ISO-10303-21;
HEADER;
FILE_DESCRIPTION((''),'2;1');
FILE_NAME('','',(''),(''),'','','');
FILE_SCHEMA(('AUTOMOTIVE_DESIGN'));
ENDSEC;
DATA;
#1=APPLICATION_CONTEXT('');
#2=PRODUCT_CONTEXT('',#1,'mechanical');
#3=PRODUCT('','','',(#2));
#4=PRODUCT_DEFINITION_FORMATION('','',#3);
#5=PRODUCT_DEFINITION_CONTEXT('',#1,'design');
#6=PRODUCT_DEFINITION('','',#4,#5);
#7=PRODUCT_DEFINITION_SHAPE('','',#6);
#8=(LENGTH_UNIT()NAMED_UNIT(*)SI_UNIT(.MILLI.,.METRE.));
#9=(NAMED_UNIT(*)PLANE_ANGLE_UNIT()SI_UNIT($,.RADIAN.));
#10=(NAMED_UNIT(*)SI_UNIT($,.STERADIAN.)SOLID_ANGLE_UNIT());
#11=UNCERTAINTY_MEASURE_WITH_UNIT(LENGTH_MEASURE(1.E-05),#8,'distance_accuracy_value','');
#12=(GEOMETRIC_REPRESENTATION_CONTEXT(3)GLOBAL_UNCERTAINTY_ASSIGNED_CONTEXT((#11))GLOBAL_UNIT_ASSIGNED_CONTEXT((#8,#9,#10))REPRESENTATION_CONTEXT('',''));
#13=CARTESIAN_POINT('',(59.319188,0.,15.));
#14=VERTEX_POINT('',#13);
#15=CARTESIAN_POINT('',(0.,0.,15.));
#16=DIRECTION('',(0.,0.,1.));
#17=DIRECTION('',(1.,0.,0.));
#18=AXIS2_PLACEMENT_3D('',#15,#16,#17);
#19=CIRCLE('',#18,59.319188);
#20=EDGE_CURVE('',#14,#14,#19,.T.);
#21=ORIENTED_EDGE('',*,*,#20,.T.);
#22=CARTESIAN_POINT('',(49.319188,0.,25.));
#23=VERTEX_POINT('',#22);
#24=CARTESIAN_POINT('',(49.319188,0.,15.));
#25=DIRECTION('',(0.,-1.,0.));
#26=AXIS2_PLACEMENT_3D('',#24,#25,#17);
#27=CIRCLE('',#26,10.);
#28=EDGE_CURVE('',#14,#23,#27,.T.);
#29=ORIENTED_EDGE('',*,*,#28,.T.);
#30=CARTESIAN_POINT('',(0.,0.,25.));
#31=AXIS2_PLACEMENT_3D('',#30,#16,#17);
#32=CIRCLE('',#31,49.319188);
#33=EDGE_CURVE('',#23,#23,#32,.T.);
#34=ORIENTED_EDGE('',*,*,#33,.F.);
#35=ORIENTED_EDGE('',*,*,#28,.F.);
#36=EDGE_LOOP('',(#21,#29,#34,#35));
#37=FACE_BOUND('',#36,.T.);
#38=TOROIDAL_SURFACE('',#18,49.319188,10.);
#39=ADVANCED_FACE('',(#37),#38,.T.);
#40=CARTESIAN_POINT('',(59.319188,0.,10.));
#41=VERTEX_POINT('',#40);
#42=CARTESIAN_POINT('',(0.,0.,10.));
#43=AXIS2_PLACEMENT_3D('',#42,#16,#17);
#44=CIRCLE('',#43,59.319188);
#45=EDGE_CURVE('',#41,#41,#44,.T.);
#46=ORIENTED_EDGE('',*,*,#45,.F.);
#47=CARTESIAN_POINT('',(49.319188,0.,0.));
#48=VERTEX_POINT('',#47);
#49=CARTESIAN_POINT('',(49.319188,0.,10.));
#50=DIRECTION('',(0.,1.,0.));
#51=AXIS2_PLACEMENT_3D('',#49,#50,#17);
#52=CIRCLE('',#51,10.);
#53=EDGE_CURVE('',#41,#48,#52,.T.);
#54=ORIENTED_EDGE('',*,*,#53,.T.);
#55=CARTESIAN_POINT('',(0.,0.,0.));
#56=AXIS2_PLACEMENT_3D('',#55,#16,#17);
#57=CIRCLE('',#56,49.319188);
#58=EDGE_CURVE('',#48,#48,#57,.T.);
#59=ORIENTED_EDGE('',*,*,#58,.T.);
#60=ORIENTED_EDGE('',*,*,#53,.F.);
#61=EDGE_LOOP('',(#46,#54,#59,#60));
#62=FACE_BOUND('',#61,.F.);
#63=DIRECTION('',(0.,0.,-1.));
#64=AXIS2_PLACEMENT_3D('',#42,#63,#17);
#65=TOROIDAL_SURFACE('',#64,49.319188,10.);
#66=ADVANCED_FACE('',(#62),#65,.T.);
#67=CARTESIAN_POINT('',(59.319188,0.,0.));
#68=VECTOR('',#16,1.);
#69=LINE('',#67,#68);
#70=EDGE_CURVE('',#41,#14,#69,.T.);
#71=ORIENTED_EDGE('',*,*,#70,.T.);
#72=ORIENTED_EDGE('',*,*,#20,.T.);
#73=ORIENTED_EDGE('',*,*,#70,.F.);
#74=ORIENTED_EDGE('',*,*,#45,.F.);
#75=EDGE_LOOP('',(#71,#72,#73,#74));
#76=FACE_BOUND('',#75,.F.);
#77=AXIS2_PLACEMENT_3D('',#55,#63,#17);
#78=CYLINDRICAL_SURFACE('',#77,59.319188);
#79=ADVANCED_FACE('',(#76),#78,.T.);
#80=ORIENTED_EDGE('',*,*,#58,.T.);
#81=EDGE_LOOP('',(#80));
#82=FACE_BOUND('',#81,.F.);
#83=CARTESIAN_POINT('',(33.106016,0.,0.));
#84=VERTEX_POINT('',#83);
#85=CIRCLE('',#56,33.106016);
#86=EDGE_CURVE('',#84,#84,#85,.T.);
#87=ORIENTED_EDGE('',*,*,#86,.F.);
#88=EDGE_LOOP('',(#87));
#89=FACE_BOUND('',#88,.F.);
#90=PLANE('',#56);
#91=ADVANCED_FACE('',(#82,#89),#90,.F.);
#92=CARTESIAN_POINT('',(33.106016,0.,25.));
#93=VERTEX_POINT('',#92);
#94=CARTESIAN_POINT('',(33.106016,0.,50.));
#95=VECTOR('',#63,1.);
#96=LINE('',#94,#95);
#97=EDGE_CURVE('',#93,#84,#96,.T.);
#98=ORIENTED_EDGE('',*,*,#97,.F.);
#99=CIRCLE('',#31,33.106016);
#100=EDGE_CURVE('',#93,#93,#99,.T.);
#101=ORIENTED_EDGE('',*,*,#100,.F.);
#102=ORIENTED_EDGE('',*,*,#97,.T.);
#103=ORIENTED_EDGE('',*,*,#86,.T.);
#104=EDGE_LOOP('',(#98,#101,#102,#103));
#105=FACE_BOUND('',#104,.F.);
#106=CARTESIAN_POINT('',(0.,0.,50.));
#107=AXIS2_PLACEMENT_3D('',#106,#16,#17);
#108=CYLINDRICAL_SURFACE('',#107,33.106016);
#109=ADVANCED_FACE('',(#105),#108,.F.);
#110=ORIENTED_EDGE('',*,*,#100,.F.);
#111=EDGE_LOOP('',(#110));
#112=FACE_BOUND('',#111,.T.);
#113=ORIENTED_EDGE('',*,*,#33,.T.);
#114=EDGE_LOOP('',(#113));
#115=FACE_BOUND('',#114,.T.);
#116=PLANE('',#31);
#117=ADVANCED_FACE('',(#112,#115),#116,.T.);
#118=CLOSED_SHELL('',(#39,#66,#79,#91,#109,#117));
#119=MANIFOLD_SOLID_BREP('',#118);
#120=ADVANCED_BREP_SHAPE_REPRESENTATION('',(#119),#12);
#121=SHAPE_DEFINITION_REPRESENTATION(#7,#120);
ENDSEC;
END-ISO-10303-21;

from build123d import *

# Parameters (mm, degrees)
F0_R     = 59.319188
F1_DEPTH = 25
F3_R     = 33.106016
F4_DEPTH = 116.983913
F5_R     = 10


with BuildPart() as f1:
    # F0 (on Top) → F1 (new body)
    with BuildSketch(Plane.XY):
        Circle(F0_R)
    extrude(amount=F1_DEPTH)

    # F3 (on offset) → F4 (cut)
    with BuildSketch(Plane.XY.offset(50)):
        Circle(F3_R)
    extrude(amount=-F4_DEPTH, mode=Mode.SUBTRACT)

    # F5
    f5_edges = [f1.edges().sort_by_distance(p)[0] for p in [
        (-59.319188, 0, 0),
        (-59.319188, 0, 25),
    ]]
    fillet(f5_edges, radius=F5_R)


solid = f1.part
